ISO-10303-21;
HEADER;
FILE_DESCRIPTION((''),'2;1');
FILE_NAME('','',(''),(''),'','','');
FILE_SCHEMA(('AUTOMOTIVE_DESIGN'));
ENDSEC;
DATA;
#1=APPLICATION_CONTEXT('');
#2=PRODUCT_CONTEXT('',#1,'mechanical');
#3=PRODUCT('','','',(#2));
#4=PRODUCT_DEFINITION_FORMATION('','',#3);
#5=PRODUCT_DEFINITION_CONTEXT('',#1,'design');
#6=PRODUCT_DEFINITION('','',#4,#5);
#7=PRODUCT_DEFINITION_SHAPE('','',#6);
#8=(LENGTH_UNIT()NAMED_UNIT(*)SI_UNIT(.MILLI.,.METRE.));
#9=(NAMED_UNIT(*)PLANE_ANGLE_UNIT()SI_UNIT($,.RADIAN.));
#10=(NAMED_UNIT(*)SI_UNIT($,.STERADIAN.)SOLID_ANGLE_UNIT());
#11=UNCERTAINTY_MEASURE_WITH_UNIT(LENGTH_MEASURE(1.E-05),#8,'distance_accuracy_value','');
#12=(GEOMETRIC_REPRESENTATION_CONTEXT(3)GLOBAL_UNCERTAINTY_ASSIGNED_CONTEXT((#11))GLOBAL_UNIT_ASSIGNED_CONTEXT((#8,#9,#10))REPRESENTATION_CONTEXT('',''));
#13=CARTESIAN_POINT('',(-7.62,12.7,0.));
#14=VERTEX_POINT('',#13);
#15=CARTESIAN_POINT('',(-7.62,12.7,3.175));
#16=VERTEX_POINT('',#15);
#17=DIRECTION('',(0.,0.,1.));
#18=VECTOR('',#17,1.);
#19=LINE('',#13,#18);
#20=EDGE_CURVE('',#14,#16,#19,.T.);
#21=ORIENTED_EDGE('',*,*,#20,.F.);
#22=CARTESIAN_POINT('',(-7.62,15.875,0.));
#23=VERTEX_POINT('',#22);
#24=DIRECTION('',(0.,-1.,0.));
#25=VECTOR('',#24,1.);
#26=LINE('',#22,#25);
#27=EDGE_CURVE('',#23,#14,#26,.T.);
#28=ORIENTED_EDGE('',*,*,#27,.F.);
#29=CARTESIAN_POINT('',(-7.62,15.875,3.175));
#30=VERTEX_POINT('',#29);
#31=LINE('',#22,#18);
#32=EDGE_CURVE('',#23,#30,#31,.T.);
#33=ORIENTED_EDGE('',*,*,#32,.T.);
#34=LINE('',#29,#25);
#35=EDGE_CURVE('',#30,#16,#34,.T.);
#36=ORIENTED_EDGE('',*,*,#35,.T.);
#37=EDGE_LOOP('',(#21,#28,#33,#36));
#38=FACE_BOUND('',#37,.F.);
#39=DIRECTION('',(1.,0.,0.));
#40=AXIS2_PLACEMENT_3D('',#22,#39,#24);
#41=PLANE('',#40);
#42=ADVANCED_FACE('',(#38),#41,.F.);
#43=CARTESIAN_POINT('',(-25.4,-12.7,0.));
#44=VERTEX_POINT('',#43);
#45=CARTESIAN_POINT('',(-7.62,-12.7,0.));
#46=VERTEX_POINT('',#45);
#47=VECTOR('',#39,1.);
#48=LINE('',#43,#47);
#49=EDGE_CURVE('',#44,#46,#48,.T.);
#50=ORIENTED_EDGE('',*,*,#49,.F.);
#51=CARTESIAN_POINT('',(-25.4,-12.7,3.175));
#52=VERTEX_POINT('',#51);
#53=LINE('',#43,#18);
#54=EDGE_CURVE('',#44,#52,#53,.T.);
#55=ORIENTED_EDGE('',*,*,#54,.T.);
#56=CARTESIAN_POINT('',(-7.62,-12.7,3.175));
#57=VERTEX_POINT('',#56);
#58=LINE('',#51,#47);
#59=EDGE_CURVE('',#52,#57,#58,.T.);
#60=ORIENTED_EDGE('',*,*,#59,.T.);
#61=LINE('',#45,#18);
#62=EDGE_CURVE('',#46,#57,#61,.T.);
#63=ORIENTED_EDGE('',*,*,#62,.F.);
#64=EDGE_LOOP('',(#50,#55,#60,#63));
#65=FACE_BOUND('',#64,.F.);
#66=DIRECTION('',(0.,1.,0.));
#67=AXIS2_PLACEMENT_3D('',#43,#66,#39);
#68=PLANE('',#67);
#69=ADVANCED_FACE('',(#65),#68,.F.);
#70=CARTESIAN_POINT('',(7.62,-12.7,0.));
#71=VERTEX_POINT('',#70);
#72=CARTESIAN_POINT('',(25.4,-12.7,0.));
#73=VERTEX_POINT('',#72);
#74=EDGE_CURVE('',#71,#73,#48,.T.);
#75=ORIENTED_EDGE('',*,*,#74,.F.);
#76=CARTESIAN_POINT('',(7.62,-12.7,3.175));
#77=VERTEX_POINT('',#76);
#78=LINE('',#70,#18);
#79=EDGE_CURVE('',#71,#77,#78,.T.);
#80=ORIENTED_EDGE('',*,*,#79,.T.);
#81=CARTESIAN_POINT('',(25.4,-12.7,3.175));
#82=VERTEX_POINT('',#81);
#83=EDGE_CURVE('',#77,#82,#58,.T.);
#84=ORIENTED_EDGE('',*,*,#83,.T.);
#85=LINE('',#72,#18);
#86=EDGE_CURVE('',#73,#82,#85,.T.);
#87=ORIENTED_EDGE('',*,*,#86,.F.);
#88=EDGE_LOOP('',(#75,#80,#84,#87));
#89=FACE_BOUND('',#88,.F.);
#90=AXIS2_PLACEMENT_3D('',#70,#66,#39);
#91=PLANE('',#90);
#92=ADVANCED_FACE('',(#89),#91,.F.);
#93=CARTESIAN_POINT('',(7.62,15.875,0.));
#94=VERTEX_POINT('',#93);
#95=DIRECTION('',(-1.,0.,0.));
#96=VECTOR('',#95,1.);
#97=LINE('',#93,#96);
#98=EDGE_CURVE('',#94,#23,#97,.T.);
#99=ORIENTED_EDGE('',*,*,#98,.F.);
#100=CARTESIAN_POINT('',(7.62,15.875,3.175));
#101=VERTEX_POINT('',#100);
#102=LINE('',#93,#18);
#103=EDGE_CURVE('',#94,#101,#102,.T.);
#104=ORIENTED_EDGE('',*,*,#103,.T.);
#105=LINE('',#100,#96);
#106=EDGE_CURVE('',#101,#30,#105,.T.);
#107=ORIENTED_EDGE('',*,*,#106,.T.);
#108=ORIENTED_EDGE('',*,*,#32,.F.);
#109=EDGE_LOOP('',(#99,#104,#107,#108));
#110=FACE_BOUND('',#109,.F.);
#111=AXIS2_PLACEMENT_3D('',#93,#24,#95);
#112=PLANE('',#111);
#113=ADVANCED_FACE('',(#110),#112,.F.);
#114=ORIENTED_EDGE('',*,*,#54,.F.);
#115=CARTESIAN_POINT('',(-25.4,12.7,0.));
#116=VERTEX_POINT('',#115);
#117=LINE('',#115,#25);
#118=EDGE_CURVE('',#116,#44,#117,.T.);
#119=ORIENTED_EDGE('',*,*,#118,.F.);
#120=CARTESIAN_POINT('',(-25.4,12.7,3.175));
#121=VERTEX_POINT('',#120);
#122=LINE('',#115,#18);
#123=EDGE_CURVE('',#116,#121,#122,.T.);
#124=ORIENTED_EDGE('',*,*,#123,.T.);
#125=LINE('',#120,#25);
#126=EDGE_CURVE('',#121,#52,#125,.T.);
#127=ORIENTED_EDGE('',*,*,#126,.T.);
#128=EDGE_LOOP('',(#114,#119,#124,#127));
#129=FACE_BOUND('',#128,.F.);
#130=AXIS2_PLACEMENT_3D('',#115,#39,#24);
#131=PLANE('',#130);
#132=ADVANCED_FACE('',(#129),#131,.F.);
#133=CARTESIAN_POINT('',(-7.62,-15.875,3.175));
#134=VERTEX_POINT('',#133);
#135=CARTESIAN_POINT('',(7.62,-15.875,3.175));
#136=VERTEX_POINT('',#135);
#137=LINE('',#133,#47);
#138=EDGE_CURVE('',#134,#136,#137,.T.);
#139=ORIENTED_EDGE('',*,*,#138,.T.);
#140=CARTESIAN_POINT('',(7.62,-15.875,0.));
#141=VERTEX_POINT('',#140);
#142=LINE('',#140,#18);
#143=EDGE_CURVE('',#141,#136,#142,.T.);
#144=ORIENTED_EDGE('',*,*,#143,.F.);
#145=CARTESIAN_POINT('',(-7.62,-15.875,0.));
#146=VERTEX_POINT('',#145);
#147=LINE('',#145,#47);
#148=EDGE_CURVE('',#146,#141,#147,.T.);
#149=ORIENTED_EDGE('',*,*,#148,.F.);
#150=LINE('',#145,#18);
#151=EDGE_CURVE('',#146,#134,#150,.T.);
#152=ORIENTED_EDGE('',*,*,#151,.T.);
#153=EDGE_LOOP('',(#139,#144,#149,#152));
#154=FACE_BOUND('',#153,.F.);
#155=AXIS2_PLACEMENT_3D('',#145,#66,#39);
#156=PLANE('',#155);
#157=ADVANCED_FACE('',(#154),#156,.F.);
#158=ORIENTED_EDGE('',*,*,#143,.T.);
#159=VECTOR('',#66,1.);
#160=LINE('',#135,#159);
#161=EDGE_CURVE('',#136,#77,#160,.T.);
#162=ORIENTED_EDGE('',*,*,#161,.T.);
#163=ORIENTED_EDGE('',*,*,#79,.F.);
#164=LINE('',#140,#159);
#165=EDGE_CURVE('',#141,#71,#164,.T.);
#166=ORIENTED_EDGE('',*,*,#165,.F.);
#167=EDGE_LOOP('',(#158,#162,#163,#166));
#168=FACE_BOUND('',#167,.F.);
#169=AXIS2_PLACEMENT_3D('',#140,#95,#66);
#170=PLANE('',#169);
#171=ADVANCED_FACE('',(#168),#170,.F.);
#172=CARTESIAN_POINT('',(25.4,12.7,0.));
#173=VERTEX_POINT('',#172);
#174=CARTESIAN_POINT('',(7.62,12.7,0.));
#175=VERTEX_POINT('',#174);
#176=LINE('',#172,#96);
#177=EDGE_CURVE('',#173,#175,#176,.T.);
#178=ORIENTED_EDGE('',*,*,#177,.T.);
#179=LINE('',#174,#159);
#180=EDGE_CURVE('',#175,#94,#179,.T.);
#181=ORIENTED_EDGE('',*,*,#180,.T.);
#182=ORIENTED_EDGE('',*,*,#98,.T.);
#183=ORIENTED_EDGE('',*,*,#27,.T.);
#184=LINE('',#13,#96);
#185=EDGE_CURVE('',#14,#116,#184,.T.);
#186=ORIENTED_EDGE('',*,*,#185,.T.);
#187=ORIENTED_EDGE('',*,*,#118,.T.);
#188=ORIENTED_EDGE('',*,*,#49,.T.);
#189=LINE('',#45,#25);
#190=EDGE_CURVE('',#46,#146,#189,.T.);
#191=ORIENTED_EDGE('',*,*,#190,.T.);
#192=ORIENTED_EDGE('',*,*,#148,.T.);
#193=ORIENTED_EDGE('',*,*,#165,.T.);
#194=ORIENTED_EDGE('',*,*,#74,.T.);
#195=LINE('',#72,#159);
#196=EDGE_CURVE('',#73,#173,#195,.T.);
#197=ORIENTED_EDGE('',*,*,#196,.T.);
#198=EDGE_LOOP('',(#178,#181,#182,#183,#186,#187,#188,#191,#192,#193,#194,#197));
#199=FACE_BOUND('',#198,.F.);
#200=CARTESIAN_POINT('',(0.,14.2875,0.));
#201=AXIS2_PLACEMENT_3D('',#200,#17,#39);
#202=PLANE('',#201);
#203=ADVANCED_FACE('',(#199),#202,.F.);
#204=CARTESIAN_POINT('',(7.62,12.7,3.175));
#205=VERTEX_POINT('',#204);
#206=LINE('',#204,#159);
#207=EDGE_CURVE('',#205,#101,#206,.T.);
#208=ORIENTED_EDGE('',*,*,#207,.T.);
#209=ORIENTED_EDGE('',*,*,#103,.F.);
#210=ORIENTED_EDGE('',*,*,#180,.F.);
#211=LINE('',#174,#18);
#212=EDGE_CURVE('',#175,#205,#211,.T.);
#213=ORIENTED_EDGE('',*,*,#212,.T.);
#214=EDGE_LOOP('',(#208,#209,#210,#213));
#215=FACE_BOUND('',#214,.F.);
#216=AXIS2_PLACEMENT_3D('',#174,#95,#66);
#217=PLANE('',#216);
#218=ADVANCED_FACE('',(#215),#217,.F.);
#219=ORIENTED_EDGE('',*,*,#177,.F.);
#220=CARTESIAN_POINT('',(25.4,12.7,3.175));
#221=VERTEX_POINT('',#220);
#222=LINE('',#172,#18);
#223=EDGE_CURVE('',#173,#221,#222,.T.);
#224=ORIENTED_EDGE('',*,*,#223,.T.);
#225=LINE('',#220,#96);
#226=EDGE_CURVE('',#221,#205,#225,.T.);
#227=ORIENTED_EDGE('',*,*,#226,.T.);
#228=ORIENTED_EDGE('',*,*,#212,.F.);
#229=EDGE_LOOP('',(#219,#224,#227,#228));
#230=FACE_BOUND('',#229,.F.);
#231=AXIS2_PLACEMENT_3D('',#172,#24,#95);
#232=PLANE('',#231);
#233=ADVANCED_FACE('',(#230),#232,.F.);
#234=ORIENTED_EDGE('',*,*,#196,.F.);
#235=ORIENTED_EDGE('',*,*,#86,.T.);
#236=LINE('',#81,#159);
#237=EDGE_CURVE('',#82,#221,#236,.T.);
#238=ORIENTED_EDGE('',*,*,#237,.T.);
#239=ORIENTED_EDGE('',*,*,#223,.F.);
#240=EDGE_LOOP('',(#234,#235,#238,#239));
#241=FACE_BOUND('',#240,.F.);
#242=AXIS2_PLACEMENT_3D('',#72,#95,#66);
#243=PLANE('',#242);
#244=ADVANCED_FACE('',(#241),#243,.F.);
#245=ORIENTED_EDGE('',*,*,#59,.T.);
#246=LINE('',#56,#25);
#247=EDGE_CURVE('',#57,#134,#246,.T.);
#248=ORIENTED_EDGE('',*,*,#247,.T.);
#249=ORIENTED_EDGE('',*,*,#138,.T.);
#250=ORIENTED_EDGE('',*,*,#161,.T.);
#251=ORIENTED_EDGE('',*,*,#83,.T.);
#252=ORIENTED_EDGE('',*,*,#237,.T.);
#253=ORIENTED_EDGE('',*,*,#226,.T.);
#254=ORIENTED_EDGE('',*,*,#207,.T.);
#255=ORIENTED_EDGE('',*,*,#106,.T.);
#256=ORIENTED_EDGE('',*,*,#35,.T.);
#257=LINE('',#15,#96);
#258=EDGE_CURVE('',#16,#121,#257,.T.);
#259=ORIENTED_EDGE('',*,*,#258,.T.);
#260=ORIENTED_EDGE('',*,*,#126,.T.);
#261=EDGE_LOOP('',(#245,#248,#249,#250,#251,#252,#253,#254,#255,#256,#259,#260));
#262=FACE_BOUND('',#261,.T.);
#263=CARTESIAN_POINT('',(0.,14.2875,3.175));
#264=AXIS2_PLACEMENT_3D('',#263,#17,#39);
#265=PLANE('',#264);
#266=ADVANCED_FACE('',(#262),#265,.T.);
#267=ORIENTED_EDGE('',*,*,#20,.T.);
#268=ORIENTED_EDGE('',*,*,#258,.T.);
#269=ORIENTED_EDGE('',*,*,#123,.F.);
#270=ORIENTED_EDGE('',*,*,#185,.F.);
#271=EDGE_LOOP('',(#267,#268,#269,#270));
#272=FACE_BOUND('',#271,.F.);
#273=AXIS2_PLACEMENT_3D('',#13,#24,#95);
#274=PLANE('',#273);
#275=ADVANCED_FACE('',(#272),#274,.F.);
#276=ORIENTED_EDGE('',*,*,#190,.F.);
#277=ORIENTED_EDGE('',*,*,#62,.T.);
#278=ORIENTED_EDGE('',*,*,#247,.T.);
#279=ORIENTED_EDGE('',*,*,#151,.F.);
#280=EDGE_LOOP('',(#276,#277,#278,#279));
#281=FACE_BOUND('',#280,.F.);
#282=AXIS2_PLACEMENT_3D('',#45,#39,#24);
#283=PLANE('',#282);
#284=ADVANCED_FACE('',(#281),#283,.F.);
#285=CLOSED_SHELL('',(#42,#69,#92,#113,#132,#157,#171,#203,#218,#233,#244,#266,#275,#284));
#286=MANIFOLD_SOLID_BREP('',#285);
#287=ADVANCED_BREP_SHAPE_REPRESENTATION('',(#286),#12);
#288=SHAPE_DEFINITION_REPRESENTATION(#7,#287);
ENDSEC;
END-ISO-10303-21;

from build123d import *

# Parameters (mm, degrees)
F1_DEPTH = 3.175


with BuildPart() as f1:
    # F0 (on Top) → F1 (new body)
    with BuildSketch(Plane.XY):
        Polygon((7.62, 15.875), (0, 15.875), (-7.62, 15.875), (-7.62, 12.7), (7.62, 12.7), align=None)
        Polygon((12.7, 12.7), (7.62, 12.7), (-7.62, 12.7), (-12.7, 12.7), (-25.4, 12.7), (-25.4, 0), (-25.4, -12.7), (-12.7, -12.7), (-7.62, -12.7), (7.62, -12.7), (12.7, -12.7), (25.4, -12.7), (25.4, 0), (25.4, 12.7), align=None)
        Polygon((7.62, -15.875), (7.62, -12.7), (-7.62, -12.7), (-7.62, -15.875), (0, -15.875), align=None)
    extrude(amount=F1_DEPTH)


solid = f1.part
